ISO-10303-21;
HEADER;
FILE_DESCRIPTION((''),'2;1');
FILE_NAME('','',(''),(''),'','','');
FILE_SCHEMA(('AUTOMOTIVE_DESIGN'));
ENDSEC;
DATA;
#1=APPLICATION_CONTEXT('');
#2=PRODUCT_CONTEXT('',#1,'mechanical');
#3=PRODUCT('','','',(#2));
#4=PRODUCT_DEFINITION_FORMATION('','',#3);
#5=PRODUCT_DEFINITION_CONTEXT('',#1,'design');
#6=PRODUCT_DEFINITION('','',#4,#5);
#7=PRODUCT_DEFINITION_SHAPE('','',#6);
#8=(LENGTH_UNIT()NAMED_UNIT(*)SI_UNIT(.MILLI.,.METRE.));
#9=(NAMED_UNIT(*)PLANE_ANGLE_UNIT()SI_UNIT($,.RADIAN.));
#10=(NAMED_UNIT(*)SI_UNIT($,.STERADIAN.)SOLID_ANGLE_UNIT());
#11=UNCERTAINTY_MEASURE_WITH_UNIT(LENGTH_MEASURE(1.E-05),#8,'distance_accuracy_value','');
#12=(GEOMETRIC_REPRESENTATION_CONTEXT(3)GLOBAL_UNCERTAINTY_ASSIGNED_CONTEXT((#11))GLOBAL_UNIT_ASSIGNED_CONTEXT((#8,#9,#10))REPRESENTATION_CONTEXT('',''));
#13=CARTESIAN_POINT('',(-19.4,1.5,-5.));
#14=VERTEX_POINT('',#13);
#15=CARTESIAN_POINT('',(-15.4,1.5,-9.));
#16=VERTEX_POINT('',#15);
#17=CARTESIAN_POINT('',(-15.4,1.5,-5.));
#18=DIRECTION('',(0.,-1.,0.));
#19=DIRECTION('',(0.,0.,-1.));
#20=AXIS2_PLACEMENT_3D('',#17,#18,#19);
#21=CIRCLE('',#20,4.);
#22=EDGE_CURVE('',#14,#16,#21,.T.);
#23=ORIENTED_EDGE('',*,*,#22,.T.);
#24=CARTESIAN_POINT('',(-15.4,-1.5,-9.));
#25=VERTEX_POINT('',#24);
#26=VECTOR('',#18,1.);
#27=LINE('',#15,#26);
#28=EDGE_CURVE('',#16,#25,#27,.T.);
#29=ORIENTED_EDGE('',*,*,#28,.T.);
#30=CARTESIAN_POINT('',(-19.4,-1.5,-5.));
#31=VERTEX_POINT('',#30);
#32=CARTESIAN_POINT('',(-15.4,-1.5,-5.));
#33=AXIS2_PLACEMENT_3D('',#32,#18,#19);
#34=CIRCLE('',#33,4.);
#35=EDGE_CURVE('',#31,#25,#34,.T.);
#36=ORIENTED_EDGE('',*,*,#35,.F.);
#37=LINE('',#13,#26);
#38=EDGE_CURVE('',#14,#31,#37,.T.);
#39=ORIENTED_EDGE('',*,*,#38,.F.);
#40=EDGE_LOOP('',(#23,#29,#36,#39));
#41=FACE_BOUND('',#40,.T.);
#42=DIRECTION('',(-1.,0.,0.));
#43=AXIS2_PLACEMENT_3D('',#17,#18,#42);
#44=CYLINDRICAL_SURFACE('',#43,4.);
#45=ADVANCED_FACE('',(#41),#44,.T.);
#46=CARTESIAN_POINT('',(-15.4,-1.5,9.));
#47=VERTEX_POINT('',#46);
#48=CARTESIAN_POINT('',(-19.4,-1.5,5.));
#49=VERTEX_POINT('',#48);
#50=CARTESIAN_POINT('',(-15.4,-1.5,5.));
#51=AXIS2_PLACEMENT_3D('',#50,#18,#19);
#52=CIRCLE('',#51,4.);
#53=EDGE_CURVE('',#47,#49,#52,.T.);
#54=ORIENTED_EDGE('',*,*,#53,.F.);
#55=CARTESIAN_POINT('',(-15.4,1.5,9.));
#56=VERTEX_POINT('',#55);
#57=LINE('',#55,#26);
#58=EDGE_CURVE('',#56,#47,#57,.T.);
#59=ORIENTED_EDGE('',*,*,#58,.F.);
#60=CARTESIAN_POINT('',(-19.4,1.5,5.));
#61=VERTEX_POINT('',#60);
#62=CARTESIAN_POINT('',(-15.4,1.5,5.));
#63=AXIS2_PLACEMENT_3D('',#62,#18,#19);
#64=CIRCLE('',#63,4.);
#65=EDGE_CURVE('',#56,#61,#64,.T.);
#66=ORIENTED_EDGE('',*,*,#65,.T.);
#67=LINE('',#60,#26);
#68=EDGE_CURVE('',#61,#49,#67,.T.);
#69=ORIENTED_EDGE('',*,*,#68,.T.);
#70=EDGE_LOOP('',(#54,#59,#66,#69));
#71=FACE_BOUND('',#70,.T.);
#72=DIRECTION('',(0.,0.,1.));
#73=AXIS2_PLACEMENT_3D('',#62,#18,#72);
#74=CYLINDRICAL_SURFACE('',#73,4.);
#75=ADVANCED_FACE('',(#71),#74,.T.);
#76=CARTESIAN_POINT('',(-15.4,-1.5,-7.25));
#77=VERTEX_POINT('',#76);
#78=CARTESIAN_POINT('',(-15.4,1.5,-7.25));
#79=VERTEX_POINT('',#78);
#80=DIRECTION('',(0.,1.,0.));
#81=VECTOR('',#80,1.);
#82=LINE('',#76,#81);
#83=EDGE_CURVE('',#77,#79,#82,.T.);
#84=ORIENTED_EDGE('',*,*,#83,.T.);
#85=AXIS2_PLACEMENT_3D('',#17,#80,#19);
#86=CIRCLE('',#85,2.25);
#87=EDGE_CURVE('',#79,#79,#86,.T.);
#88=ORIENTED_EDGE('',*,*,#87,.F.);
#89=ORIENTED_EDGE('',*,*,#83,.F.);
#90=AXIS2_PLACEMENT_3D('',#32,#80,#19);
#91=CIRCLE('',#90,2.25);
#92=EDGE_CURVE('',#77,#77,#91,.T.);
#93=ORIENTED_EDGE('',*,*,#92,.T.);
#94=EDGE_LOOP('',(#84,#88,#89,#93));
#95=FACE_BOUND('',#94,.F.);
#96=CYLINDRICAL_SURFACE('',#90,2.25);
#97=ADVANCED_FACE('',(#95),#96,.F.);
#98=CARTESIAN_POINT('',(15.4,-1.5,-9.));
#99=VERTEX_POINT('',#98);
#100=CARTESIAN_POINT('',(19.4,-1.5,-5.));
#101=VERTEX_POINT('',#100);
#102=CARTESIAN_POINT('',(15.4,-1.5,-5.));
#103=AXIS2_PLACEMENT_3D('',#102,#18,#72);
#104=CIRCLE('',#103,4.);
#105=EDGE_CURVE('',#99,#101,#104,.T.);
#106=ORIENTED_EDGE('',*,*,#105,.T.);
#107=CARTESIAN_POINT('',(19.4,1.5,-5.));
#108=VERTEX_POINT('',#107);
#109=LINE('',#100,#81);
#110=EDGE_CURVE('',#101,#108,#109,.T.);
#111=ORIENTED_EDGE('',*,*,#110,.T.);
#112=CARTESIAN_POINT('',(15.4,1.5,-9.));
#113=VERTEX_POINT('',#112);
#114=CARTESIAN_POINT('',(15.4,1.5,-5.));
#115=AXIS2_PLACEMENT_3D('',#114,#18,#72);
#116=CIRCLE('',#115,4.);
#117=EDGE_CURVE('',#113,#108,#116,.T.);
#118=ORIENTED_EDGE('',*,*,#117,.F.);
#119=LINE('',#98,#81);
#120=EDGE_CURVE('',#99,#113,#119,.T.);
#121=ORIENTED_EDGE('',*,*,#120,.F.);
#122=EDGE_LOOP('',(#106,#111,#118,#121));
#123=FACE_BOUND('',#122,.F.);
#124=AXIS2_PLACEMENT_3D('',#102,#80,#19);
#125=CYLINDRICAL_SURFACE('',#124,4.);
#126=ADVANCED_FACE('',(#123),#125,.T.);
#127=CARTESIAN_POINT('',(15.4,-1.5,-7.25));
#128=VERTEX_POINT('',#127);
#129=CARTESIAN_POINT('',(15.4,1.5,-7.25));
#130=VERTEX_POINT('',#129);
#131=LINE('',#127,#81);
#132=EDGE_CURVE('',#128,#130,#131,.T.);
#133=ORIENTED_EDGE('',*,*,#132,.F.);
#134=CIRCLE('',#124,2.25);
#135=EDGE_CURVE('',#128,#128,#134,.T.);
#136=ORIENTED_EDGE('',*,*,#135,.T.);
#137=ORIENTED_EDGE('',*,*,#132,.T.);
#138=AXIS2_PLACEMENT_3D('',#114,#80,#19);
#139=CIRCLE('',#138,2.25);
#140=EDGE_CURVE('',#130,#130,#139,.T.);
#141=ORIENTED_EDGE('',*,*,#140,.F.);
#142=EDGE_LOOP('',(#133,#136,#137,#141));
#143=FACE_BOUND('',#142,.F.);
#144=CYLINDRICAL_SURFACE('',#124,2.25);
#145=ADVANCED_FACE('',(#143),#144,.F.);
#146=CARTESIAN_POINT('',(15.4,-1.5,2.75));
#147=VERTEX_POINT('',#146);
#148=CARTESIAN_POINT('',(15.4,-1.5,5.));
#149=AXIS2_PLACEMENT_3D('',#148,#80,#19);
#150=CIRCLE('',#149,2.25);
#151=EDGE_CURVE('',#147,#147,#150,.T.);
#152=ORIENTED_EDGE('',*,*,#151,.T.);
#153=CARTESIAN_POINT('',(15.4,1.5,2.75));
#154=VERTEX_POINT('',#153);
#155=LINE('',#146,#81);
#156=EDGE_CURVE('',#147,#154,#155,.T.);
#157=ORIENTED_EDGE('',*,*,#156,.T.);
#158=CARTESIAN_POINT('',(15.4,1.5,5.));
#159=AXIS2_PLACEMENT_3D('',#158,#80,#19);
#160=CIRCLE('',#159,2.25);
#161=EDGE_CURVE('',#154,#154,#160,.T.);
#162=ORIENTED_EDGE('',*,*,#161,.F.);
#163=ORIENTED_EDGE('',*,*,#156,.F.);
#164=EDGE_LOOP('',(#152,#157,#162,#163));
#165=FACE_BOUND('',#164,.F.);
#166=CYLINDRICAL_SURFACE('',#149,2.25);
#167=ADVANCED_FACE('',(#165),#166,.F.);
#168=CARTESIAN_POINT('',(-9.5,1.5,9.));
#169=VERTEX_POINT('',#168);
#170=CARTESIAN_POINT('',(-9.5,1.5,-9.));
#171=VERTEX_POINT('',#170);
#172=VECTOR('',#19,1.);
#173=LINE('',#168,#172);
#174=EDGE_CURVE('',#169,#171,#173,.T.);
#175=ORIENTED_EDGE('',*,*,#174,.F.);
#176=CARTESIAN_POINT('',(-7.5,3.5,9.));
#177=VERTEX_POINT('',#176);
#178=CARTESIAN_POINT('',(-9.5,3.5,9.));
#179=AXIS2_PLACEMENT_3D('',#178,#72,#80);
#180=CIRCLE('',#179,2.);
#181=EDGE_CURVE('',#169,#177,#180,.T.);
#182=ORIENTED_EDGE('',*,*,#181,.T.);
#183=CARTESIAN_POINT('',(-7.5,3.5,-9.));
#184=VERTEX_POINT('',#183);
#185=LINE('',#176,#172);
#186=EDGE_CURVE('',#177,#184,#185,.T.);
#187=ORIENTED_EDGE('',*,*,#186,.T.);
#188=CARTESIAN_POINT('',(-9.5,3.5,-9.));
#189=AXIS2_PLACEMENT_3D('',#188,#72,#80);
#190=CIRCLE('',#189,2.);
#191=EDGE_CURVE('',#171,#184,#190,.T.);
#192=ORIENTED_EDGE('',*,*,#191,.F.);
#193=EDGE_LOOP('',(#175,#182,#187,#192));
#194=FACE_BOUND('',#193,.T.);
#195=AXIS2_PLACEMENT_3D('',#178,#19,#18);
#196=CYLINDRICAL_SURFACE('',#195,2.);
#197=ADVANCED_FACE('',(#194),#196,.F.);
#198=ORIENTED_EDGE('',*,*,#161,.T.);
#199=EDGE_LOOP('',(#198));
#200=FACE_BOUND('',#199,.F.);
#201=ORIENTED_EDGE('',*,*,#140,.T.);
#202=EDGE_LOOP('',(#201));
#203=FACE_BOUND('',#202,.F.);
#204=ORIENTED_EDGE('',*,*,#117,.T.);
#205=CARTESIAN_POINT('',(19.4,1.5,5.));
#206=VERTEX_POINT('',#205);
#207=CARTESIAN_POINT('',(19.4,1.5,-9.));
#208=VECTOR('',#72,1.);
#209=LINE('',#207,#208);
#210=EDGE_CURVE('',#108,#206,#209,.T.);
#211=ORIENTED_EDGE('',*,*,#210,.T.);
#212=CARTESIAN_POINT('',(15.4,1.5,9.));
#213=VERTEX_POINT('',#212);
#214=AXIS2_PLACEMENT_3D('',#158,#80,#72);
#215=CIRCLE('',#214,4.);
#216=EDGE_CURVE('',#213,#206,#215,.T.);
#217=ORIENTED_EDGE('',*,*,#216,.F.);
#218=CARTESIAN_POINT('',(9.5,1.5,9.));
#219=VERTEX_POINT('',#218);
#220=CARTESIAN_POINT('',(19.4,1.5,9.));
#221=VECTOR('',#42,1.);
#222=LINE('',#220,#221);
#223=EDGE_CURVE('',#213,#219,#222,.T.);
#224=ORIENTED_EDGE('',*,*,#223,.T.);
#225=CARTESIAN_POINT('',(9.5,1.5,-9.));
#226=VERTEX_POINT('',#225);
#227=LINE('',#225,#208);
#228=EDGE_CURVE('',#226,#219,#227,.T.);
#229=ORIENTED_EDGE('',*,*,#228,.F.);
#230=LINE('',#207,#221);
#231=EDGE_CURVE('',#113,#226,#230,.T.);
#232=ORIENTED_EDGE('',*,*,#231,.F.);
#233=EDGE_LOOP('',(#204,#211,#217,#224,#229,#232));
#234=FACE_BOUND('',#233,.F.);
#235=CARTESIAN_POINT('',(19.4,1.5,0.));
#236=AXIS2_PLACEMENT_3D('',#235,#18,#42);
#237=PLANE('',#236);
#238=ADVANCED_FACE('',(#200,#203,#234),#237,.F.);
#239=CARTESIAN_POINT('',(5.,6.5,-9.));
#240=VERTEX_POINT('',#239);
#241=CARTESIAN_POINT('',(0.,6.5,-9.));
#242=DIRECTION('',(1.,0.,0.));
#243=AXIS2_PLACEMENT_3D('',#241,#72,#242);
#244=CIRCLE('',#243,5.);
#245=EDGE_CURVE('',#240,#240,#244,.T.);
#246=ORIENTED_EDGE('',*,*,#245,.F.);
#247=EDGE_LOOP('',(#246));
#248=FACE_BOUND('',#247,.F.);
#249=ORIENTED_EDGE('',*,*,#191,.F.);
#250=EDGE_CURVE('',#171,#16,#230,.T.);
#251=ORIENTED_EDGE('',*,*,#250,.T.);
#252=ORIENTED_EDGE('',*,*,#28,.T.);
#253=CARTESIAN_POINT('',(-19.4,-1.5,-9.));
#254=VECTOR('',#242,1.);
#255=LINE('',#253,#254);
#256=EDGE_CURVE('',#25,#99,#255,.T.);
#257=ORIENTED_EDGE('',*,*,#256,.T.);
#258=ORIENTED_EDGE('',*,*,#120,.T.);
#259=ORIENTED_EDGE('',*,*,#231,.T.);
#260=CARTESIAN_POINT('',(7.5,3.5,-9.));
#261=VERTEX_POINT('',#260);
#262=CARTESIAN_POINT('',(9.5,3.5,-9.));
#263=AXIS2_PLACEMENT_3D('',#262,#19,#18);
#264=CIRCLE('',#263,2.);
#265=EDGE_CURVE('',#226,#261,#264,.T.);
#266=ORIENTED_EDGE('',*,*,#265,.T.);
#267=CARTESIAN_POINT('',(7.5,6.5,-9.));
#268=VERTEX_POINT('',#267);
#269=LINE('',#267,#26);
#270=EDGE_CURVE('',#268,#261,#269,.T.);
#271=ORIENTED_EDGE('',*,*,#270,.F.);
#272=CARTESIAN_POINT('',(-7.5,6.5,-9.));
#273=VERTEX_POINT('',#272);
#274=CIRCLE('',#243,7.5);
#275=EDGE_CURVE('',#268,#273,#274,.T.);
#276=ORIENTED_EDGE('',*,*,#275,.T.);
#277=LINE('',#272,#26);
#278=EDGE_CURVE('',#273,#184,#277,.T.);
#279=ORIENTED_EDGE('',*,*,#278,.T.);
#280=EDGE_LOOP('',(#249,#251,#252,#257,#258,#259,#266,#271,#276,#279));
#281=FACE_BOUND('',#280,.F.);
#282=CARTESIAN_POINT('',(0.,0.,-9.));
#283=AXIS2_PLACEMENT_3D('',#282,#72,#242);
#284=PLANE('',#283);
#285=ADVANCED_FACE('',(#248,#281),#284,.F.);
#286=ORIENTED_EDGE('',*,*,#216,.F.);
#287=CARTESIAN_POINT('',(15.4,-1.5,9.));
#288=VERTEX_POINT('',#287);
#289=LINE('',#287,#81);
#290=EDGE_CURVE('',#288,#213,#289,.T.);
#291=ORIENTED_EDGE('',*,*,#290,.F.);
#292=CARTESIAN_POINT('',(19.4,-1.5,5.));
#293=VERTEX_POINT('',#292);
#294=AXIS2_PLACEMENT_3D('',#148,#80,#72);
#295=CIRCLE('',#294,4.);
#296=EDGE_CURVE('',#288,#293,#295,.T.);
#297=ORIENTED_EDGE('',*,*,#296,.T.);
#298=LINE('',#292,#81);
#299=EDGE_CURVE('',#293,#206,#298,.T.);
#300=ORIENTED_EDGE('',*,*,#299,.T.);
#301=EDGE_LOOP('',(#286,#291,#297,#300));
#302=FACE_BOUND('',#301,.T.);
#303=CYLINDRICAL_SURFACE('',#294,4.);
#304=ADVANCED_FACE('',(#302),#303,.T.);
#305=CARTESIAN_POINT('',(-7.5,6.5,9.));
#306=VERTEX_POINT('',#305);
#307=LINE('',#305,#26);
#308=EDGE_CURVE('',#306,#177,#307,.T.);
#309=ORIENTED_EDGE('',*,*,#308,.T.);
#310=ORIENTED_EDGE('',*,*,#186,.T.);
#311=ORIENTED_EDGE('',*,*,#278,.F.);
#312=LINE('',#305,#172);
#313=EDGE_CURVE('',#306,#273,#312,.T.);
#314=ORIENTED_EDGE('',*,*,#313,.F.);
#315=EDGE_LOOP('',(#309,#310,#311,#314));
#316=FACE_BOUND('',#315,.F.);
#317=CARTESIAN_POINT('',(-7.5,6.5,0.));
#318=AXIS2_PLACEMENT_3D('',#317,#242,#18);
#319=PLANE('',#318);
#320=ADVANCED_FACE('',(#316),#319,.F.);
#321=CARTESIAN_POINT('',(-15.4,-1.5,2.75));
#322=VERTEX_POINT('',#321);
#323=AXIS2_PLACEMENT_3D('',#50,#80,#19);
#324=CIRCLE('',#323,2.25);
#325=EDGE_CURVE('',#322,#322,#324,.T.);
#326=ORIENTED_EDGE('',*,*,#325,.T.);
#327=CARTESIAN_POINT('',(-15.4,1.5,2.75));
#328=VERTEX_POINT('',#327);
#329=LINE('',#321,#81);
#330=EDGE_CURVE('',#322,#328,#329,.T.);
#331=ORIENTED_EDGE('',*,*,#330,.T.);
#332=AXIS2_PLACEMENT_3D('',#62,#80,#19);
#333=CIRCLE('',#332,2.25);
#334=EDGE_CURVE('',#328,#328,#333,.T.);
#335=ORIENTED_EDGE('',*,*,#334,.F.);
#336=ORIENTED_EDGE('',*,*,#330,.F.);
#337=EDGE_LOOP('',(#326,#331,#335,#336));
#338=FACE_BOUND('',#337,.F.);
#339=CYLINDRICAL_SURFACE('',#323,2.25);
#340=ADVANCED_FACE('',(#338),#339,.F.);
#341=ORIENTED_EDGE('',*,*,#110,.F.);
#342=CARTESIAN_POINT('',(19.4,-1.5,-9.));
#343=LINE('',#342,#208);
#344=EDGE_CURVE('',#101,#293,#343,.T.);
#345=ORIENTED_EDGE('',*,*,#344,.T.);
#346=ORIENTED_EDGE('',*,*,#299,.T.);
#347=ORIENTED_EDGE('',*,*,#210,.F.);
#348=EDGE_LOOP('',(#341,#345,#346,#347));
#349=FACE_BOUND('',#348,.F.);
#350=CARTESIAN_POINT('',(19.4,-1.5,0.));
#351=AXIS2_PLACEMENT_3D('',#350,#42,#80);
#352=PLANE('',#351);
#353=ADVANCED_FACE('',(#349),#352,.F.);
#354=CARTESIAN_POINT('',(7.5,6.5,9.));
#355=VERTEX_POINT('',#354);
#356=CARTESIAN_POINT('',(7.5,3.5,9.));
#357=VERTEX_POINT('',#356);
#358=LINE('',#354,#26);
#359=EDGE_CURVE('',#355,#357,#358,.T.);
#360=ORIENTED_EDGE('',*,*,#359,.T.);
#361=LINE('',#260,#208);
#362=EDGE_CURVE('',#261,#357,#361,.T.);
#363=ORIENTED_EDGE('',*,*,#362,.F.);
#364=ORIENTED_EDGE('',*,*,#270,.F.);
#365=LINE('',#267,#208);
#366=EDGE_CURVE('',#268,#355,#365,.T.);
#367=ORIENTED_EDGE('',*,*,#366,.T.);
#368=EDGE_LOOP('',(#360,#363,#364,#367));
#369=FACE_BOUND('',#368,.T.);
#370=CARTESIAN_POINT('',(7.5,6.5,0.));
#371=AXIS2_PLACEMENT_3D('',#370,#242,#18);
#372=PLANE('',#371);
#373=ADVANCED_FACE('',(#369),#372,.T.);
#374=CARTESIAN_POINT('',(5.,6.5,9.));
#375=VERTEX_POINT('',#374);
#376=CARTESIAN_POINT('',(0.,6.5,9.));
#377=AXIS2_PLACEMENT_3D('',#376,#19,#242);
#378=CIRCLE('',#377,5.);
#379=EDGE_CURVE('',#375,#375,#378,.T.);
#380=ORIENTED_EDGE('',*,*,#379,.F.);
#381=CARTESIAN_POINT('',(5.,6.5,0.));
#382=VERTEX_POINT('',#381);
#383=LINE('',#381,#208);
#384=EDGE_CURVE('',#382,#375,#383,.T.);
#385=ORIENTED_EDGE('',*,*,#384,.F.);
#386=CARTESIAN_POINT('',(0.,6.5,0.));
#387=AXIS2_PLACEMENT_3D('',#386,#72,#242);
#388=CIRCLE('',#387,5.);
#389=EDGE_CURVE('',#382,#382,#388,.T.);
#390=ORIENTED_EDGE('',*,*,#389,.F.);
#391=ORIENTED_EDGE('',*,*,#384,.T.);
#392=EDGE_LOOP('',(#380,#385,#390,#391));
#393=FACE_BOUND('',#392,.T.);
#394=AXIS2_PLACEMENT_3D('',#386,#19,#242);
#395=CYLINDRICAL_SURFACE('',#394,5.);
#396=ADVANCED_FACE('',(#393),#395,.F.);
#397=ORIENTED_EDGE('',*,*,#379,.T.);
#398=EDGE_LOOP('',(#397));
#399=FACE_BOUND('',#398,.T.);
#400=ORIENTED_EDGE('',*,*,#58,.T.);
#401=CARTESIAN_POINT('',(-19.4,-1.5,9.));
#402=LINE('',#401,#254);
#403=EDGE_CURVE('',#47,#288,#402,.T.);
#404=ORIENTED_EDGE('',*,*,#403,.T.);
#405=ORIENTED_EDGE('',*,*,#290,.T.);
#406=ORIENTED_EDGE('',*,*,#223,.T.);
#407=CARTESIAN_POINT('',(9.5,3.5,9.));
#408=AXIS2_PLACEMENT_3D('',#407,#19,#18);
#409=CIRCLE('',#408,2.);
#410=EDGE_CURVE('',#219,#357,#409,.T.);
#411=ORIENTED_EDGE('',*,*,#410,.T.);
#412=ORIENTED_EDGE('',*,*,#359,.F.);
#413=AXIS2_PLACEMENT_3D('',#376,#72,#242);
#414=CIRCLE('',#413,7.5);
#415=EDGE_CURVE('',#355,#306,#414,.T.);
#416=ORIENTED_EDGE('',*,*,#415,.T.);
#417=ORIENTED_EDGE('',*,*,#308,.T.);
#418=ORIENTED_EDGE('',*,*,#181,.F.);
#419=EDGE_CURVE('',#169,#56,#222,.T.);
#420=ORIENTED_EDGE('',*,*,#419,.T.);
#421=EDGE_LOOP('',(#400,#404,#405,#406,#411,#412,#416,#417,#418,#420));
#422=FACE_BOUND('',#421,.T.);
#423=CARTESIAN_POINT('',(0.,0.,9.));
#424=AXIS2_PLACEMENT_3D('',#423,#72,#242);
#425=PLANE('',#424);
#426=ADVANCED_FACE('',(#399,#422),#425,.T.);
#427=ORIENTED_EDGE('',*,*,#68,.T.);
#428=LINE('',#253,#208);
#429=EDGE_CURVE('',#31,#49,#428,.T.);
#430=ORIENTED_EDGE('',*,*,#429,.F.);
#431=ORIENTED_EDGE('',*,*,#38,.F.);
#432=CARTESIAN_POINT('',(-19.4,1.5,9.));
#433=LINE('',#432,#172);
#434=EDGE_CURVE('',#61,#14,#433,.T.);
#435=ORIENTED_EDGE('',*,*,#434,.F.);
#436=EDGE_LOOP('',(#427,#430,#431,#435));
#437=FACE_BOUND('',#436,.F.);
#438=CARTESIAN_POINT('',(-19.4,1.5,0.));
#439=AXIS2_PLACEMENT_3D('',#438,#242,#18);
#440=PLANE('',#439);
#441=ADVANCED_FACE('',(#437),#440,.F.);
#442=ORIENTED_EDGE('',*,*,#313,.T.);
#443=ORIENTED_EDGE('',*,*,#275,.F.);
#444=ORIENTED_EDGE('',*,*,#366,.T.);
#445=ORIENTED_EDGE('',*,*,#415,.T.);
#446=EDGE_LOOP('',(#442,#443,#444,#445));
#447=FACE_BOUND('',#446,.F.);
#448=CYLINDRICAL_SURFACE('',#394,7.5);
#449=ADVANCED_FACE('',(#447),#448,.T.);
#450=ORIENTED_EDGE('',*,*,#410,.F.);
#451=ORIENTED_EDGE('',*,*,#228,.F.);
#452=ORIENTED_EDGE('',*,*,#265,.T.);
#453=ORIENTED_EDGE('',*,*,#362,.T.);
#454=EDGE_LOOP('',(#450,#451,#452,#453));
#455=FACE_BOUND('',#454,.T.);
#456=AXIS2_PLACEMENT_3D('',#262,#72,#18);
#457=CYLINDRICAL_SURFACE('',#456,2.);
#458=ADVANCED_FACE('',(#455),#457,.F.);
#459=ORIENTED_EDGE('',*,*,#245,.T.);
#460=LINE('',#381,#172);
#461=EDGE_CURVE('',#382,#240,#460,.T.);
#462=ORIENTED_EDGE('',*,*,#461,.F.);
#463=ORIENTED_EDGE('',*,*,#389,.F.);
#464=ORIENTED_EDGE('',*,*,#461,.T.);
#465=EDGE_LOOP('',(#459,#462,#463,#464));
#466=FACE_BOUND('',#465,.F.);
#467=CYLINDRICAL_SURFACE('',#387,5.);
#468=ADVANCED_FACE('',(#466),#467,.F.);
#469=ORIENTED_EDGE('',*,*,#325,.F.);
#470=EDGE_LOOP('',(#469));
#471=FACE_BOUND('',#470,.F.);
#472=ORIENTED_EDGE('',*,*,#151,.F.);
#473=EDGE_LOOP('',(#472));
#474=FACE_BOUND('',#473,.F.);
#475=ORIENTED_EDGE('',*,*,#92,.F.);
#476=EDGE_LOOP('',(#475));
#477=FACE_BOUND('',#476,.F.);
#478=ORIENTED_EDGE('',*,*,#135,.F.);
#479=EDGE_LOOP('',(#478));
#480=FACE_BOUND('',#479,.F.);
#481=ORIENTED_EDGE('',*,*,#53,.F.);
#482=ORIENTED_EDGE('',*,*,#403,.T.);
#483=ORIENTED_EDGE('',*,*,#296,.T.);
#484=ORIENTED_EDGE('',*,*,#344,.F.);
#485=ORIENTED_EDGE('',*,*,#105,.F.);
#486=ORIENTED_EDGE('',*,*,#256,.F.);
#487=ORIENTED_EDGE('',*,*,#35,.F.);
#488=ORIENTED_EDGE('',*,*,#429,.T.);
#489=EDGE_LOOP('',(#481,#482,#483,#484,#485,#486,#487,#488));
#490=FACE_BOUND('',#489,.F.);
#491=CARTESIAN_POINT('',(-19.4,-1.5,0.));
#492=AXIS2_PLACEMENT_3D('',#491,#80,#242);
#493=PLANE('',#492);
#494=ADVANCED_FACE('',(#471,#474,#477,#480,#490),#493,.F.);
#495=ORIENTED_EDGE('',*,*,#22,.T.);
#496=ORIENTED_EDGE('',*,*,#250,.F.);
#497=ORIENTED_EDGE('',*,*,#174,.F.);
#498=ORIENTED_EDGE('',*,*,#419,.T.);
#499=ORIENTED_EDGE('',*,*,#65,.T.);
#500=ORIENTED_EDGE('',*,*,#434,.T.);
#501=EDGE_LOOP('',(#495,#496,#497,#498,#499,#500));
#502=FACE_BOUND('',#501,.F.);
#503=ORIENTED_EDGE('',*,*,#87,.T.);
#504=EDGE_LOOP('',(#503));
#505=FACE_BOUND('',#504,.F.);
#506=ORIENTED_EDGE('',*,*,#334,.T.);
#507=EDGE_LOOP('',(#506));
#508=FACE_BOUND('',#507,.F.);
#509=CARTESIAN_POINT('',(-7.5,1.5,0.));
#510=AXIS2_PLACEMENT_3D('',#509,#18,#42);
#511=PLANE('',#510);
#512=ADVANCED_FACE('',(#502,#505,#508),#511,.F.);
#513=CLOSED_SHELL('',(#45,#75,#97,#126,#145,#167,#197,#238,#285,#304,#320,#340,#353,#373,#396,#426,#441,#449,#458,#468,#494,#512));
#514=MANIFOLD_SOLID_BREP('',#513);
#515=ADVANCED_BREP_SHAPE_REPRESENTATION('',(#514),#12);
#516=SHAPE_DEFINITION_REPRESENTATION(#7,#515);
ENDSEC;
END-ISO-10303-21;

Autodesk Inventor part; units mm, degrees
ref_plane "YZ Plane" through (0, 0, 0) normal (1, 0, 0) x (0, 1, 0)
ref_plane "XZ Plane" through (0, 0, 0) normal (0, 1, 0) x (-1, 0, 0)
ref_plane "XY Plane" through (0, 0, 0) normal (0, 0, 1) x (1, 0, 0)
sketch "スケッチ1" plane through (0, 0, 0) normal (0, 0, 1) x (1, 0, 0)
  line L0 (-19.4, -1.5) -> (19.4, -1.5)
  line L1 (19.4, -1.5) -> (19.4, 1.5)
  line L2 (19.4, 1.5) -> (-19.4, 1.5)
  line L3 (-19.4, 1.5) -> (-19.4, -1.5)
  line L4 (-19.4, -1.5) -> (19.4, 1.5) construction
  line L5 (19.4, -1.5) -> (-19.4, 1.5) construction
  circle A0 centre (0, 6.5) radius 5
  circle A1 centre (0, 6.5) radius 7.5
  line L6 (-7.5, 6.5) -> (-7.5, 1.5)
  line L7 (7.5, 6.5) -> (7.5, 1.5)
  point P0 (0, 0)
  point P1 (0, 0)
  point P2 (0, 0)
  point P3 (0, 0)
  dimension "d4" = 10
  dimension "d5" = 3
  dimension "d6" = 38.8
  dimension "d21" = 15
extrude "押し出し1" add sketch "スケッチ1" along normal mid plane 18
fillet "フィレット1" radius 2 2 edges at (7.5, 1.5, 0) (-7.5, 1.5, 0)
sketch "スケッチ2" plane through (-19.4, -1.5, 9) normal (0, -1, 0) x (1, 0, 0)
  line L0 (4, -14) -> (34.8, -14)
  line L1 (34.8, -14) -> (34.8, -4)
  line L2 (34.8, -4) -> (4, -4)
  line L3 (4, -4) -> (4, -14)
  line L4 (4, -14) -> (34.8, -4) construction
  line L5 (34.8, -14) -> (4, -4) construction
  point P0 (19.4, -9)
  dimension "d11" = 30.8
  dimension "d12" = 10
hole "穴1" at (15.4, -1.5, 5) at (15.4, -1.5, -5) at (-15.4, -1.5, 5) at (-15.4, -1.5, -5) direction (0, 1, 0) diameter 4.5 end through all clearance for "Flat Head Machine Screw" size "M4" standard "Ansi Metric M Profile"
fillet "フィレット2" radius 4 4 edges at (-19.4, 0, -9) (-19.4, 0, 9) (19.4, 0, -9) (19.4, 0, 9)
ref_plane "作業平面2" through (0, -1.5, 5) normal (-1, 0, 0) x (0, 0, 1)
ref_plane "作業平面1" through (9.5, 0, 9) normal (0, 1, 0) x (1, 0, 0)
properties part number "scara-base26"
